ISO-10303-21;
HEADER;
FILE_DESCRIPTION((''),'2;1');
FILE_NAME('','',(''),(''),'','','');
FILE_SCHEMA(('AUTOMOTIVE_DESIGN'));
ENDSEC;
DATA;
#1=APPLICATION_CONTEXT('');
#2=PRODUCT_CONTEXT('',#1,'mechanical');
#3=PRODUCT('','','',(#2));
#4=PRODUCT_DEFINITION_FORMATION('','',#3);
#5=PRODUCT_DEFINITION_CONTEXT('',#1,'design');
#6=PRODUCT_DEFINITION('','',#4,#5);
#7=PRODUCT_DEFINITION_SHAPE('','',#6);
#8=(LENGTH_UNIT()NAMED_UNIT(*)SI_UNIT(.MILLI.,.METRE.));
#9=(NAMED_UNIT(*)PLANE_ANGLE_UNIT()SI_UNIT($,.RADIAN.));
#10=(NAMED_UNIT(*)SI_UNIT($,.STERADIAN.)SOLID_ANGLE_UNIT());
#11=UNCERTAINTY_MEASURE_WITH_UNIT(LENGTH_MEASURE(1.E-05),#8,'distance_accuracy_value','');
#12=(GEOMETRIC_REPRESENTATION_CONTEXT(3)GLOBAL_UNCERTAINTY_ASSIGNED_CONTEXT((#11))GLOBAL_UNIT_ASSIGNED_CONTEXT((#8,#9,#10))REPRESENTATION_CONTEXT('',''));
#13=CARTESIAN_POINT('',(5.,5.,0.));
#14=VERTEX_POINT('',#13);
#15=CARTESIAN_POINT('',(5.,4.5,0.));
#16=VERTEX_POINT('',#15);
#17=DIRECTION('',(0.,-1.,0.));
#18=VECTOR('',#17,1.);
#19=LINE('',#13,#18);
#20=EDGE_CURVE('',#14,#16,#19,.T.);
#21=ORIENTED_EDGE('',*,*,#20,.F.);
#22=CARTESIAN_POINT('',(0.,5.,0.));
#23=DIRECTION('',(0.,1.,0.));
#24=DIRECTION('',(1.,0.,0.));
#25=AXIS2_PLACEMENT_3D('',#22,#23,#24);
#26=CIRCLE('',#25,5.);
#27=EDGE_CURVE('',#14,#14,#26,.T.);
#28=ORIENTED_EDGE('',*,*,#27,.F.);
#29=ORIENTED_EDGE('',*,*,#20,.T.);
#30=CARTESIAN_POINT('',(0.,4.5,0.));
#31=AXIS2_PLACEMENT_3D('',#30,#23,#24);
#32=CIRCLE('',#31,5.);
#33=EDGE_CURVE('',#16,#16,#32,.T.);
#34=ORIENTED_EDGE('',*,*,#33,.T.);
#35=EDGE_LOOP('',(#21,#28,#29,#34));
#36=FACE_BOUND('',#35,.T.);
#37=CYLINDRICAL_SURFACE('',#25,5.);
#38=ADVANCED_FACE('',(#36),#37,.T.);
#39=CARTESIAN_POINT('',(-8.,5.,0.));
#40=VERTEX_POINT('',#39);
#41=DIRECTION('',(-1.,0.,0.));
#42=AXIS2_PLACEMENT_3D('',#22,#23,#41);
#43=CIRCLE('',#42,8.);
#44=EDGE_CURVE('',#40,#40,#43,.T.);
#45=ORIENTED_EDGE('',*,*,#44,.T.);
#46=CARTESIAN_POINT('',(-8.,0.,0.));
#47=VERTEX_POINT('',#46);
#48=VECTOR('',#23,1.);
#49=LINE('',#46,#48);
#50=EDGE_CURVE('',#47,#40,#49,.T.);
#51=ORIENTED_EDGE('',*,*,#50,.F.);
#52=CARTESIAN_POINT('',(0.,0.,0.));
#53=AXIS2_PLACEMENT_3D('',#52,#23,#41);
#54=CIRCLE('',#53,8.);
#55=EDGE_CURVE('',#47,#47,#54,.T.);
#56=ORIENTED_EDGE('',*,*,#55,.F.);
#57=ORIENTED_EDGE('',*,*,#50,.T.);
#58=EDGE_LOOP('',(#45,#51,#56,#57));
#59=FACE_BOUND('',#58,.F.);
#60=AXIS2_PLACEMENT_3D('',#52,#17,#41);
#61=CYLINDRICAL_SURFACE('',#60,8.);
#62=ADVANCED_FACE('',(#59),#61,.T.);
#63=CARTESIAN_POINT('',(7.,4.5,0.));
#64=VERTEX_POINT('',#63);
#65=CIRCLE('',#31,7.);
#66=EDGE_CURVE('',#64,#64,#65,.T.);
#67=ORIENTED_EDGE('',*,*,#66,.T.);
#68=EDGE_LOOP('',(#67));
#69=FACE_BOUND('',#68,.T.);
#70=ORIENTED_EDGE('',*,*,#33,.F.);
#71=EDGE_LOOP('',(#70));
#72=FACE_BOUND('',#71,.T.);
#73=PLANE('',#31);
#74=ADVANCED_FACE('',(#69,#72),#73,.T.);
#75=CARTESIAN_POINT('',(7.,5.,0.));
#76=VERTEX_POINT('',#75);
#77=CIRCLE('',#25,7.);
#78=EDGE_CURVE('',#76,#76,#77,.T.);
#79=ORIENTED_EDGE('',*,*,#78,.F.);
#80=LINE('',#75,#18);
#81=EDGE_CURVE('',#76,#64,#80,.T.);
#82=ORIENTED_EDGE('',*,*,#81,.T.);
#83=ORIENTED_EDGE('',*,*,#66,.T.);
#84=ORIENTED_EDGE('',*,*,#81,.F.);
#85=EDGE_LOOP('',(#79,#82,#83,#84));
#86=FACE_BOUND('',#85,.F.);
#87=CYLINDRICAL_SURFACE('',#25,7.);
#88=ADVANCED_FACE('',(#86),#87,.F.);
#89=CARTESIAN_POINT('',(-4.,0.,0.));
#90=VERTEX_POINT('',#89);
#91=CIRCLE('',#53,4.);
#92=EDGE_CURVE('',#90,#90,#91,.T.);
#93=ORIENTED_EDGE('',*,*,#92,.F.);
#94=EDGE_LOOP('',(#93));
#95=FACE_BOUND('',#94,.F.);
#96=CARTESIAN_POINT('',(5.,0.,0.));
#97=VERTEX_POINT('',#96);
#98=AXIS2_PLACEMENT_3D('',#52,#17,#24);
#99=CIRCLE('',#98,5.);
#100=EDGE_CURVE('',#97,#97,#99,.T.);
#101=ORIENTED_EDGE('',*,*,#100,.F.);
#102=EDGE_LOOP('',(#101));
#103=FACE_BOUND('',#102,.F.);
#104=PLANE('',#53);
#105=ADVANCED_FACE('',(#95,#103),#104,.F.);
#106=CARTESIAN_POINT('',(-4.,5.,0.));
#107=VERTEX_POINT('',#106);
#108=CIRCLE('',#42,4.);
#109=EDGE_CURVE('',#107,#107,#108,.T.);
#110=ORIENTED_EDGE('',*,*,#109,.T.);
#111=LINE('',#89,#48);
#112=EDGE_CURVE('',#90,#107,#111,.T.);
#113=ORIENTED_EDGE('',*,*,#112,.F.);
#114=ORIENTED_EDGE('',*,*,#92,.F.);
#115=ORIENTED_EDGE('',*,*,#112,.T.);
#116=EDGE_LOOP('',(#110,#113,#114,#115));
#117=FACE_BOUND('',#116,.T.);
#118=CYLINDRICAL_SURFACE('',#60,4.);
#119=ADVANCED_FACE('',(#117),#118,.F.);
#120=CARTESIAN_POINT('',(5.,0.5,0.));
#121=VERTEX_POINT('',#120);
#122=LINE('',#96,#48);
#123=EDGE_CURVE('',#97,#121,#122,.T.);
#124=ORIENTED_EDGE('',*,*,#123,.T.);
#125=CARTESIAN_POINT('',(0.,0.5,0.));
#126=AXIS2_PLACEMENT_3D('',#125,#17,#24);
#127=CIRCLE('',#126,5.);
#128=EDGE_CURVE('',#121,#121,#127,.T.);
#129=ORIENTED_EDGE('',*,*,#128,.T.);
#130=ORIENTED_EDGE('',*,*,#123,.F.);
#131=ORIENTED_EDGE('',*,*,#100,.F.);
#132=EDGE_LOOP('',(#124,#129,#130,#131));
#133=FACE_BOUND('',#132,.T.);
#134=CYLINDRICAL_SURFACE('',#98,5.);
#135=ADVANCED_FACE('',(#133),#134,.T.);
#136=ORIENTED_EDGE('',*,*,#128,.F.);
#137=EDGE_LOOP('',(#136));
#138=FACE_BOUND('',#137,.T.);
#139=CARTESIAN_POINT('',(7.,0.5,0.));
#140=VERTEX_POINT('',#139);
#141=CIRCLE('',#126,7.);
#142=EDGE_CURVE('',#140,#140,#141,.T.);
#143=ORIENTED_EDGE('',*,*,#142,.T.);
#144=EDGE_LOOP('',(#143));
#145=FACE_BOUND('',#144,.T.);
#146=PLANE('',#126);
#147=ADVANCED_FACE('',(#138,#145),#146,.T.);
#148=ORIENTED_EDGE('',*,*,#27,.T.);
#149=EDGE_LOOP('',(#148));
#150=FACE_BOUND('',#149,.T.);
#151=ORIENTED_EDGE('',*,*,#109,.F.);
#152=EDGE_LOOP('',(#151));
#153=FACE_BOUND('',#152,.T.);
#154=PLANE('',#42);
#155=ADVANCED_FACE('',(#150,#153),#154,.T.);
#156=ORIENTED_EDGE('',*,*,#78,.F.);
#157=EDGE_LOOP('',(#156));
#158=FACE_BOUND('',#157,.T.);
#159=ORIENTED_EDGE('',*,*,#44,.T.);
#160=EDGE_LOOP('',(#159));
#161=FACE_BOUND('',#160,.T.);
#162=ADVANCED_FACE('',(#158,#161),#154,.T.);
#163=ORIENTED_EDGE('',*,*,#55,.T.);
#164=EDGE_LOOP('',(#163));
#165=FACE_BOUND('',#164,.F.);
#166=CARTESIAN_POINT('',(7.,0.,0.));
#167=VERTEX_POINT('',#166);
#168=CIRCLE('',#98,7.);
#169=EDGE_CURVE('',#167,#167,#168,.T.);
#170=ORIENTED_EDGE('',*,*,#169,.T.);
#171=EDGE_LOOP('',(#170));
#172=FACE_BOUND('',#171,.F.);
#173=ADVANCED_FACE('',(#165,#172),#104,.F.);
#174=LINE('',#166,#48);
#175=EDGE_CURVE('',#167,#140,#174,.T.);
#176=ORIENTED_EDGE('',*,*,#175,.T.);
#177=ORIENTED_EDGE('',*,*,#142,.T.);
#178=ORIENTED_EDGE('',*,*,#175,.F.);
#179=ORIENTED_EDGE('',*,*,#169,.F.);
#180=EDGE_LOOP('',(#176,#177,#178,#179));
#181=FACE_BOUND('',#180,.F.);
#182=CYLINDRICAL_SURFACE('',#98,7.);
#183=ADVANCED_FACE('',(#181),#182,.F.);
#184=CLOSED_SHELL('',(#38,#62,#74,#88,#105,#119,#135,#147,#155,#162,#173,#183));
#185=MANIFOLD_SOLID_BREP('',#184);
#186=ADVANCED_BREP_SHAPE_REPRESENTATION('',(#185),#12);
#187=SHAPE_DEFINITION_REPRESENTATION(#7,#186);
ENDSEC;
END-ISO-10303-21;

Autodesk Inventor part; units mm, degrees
ref_plane "YZ Plane" through (0, 0, 0) normal (1, 0, 0) x (0, 1, 0)
ref_plane "XZ Plane" through (0, 0, 0) normal (0, 1, 0) x (-1, 0, 0)
ref_plane "XY Plane" through (0, 0, 0) normal (0, 0, 1) x (1, 0, 0)
sketch "Sketch1" plane through (0, 0, 0) normal (0, 1, 0) x (-1, 0, 0)
  circle A0 centre (0, 0) radius 4
  circle A1 centre (0, 0) radius 8
  dimension "d0" = 8
  dimension "d1" = 16
extrude "Extrusion1" add sketch "Sketch1" along normal blind 5
sketch "Sketch2" plane through (0, 5, 0) normal (0, 1, 0) x (1, 0, 0)
  circle A0 centre (0, 0) radius 8 projected
  circle A1 centre (0, 0) radius 4 projected
  circle A2 centre (0, 0) radius 5
  circle A3 centre (0, 0) radius 7
  dimension "d4" = 10
  dimension "d5" = 14
extrude "Extrusion2" cut sketch "Sketch2" against normal blind 0.5 contours A3
sketch "Sketch3" plane through (0, 0, 0) normal (0, -1, 0) x (1, 0, 0)
  circle A0 centre (0, 0) radius 5 projected
  circle A1 centre (0, 0) radius 7 projected
extrude "Extrusion3" cut sketch "Sketch3" against normal blind 0.5
properties part number "bearing_8_16_5" material "Stainless Steel"
